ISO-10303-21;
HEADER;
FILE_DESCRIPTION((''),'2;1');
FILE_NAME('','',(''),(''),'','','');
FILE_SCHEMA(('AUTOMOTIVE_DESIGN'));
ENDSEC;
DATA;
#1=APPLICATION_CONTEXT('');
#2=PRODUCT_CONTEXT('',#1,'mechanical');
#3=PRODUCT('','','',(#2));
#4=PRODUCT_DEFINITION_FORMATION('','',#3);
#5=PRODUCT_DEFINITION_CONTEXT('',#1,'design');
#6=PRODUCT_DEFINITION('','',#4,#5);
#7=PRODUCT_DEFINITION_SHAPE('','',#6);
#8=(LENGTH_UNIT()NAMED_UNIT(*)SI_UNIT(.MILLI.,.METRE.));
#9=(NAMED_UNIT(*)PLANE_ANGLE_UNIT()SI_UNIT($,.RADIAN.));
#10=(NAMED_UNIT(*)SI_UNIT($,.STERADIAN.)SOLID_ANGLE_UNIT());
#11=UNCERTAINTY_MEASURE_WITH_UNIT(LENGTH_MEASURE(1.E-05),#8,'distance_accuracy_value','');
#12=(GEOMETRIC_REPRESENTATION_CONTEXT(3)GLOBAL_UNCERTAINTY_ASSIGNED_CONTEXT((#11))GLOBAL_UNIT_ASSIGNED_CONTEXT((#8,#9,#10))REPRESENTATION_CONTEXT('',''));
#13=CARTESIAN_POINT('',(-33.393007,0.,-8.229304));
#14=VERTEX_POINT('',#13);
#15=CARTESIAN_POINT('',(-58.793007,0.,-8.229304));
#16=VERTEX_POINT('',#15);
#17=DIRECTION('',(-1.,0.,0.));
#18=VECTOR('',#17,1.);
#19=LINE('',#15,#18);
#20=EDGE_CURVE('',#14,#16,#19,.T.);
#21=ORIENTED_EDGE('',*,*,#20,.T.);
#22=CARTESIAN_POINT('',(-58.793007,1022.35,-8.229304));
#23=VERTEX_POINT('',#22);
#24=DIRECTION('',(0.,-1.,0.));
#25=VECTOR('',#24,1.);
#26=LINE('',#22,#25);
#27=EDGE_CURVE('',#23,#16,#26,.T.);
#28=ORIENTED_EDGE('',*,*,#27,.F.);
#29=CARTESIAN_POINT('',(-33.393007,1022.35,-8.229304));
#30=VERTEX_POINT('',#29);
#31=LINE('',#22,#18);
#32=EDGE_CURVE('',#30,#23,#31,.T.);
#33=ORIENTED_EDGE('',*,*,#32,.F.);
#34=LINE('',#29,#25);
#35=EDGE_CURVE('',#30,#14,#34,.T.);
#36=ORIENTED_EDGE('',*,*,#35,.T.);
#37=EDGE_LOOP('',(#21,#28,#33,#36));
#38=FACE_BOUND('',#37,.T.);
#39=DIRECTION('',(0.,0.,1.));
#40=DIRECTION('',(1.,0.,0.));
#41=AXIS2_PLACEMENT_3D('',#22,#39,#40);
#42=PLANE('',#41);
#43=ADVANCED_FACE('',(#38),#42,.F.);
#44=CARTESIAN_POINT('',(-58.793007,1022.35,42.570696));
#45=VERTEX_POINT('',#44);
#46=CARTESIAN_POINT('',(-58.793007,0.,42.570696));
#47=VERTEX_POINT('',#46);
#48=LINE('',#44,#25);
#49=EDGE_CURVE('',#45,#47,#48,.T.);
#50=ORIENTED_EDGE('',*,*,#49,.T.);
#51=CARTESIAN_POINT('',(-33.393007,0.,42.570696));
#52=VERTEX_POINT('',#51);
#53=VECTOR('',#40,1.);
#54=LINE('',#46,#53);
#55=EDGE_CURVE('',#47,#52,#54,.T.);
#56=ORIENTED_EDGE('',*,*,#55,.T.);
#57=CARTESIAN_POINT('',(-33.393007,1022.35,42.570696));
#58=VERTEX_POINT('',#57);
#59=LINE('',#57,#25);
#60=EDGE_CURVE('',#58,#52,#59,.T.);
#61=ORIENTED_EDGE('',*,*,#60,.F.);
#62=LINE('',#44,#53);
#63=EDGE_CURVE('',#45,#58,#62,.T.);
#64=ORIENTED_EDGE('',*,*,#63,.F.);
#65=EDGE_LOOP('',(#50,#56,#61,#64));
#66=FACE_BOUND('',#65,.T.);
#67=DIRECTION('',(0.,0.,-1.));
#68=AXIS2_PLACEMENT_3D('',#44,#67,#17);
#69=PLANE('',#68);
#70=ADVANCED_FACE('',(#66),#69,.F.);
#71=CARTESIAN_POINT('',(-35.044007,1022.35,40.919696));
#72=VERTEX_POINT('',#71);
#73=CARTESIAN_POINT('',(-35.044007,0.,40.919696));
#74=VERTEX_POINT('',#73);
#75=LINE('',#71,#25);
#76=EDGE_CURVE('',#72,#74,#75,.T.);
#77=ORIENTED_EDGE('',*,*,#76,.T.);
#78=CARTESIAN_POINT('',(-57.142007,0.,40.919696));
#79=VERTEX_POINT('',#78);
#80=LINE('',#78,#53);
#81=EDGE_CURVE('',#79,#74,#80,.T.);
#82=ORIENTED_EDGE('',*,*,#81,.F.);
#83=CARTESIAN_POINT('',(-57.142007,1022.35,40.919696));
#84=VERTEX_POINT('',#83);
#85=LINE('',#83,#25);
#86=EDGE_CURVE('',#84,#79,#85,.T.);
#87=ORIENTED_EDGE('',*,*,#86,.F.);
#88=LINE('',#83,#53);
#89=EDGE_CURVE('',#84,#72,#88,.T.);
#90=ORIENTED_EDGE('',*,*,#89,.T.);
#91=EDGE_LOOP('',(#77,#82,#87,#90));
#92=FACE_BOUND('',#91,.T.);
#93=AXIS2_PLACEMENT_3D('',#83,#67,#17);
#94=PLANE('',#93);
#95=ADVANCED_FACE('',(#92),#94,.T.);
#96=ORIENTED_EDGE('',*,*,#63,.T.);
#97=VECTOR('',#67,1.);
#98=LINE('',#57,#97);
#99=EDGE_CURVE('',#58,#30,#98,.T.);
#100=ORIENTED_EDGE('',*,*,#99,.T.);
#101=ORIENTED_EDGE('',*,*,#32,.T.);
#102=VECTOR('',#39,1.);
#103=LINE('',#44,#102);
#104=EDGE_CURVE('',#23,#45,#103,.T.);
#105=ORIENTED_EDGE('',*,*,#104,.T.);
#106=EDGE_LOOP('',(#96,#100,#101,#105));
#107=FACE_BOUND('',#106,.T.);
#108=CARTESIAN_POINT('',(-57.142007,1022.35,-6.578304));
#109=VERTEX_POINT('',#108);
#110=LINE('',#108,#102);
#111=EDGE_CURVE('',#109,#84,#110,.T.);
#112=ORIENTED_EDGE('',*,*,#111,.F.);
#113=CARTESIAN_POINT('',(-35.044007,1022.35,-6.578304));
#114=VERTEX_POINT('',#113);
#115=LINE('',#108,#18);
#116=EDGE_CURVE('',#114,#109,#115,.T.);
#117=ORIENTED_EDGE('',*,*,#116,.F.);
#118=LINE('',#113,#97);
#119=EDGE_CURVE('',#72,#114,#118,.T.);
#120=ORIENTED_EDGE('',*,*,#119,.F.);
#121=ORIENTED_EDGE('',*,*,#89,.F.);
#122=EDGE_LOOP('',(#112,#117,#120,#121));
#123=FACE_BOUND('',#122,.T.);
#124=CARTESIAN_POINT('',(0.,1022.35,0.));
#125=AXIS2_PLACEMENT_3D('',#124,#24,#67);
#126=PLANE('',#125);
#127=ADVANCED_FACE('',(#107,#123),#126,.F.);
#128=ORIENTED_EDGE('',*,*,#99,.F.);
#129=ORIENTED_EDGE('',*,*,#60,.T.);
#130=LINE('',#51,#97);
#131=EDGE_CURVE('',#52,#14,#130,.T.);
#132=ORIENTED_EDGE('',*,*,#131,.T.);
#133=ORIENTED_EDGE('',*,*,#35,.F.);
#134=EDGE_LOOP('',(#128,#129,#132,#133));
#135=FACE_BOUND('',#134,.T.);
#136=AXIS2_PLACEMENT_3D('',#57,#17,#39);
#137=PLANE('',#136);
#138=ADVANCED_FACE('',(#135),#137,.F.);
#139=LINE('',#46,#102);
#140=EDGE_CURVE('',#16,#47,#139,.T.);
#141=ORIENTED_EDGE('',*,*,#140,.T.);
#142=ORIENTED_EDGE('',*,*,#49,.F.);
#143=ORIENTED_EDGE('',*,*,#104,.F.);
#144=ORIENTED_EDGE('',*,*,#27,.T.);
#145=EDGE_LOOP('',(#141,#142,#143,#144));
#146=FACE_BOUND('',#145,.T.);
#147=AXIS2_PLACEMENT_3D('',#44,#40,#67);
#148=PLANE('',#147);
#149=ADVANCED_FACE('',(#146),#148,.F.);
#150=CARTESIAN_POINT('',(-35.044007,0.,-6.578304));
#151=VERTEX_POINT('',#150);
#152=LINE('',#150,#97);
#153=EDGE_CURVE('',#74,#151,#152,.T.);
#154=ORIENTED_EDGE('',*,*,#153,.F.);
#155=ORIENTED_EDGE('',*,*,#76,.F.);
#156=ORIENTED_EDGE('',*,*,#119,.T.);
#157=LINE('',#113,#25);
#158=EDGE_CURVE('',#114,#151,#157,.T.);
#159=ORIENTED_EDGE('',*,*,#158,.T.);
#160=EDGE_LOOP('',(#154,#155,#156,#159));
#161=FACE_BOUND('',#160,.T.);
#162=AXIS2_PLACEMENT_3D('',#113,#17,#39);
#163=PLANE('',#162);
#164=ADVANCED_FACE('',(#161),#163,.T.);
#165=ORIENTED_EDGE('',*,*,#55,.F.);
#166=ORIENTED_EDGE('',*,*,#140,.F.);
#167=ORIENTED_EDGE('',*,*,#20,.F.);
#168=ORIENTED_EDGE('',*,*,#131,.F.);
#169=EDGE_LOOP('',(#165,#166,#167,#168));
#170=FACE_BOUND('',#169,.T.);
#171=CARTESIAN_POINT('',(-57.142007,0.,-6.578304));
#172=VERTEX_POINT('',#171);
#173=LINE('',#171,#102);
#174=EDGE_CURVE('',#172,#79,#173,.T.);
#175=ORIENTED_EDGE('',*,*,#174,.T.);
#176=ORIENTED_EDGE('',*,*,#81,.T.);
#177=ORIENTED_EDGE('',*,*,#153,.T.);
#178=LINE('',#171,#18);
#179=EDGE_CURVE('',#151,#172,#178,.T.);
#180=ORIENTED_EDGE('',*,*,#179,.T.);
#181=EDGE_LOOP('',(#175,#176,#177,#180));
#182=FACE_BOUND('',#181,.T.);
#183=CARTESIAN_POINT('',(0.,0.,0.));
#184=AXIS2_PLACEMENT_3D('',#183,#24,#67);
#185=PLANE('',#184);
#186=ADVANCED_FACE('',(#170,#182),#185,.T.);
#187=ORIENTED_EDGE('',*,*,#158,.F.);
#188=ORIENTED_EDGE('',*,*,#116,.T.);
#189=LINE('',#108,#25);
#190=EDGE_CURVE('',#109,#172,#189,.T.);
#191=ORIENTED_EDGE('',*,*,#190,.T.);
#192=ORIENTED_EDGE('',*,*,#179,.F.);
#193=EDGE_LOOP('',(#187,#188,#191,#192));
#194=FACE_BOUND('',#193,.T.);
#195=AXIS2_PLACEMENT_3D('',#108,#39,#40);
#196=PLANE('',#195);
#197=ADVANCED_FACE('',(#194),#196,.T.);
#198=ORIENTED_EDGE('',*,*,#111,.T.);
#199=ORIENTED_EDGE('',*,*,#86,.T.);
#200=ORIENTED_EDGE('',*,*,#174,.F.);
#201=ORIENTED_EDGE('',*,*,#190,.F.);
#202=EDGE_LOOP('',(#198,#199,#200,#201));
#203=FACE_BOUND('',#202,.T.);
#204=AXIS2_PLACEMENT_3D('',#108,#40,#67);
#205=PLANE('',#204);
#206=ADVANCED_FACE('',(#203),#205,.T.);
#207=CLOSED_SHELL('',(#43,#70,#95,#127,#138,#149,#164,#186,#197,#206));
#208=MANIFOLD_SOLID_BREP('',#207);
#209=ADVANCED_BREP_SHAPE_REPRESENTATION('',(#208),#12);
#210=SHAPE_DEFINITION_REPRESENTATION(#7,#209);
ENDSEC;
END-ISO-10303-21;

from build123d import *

# Parameters (mm, degrees)
SKETCH1_W           = 25.4
SKETCH1_H           = 50.8
SKETCH1_W_2         = 22.098
SKETCH1_H_2         = 47.498
BOSS_EXTRUDE1_DEPTH = 1022.35


with BuildPart() as part:
    # Sketch1 → Boss-Extrude1 (new body)
    with BuildSketch(Plane(origin=(0, 0, 0), x_dir=(1, 0, 0), z_dir=(0, 1, 0))):
        with Locations((-46.093006993, -17.170696162)):
            Rectangle(SKETCH1_W, SKETCH1_H)
        with Locations((-46.093006993, -17.170696162)):
            Rectangle(SKETCH1_W_2, SKETCH1_H_2, mode=Mode.SUBTRACT)
    extrude(amount=BOSS_EXTRUDE1_DEPTH)


solid = part.part
